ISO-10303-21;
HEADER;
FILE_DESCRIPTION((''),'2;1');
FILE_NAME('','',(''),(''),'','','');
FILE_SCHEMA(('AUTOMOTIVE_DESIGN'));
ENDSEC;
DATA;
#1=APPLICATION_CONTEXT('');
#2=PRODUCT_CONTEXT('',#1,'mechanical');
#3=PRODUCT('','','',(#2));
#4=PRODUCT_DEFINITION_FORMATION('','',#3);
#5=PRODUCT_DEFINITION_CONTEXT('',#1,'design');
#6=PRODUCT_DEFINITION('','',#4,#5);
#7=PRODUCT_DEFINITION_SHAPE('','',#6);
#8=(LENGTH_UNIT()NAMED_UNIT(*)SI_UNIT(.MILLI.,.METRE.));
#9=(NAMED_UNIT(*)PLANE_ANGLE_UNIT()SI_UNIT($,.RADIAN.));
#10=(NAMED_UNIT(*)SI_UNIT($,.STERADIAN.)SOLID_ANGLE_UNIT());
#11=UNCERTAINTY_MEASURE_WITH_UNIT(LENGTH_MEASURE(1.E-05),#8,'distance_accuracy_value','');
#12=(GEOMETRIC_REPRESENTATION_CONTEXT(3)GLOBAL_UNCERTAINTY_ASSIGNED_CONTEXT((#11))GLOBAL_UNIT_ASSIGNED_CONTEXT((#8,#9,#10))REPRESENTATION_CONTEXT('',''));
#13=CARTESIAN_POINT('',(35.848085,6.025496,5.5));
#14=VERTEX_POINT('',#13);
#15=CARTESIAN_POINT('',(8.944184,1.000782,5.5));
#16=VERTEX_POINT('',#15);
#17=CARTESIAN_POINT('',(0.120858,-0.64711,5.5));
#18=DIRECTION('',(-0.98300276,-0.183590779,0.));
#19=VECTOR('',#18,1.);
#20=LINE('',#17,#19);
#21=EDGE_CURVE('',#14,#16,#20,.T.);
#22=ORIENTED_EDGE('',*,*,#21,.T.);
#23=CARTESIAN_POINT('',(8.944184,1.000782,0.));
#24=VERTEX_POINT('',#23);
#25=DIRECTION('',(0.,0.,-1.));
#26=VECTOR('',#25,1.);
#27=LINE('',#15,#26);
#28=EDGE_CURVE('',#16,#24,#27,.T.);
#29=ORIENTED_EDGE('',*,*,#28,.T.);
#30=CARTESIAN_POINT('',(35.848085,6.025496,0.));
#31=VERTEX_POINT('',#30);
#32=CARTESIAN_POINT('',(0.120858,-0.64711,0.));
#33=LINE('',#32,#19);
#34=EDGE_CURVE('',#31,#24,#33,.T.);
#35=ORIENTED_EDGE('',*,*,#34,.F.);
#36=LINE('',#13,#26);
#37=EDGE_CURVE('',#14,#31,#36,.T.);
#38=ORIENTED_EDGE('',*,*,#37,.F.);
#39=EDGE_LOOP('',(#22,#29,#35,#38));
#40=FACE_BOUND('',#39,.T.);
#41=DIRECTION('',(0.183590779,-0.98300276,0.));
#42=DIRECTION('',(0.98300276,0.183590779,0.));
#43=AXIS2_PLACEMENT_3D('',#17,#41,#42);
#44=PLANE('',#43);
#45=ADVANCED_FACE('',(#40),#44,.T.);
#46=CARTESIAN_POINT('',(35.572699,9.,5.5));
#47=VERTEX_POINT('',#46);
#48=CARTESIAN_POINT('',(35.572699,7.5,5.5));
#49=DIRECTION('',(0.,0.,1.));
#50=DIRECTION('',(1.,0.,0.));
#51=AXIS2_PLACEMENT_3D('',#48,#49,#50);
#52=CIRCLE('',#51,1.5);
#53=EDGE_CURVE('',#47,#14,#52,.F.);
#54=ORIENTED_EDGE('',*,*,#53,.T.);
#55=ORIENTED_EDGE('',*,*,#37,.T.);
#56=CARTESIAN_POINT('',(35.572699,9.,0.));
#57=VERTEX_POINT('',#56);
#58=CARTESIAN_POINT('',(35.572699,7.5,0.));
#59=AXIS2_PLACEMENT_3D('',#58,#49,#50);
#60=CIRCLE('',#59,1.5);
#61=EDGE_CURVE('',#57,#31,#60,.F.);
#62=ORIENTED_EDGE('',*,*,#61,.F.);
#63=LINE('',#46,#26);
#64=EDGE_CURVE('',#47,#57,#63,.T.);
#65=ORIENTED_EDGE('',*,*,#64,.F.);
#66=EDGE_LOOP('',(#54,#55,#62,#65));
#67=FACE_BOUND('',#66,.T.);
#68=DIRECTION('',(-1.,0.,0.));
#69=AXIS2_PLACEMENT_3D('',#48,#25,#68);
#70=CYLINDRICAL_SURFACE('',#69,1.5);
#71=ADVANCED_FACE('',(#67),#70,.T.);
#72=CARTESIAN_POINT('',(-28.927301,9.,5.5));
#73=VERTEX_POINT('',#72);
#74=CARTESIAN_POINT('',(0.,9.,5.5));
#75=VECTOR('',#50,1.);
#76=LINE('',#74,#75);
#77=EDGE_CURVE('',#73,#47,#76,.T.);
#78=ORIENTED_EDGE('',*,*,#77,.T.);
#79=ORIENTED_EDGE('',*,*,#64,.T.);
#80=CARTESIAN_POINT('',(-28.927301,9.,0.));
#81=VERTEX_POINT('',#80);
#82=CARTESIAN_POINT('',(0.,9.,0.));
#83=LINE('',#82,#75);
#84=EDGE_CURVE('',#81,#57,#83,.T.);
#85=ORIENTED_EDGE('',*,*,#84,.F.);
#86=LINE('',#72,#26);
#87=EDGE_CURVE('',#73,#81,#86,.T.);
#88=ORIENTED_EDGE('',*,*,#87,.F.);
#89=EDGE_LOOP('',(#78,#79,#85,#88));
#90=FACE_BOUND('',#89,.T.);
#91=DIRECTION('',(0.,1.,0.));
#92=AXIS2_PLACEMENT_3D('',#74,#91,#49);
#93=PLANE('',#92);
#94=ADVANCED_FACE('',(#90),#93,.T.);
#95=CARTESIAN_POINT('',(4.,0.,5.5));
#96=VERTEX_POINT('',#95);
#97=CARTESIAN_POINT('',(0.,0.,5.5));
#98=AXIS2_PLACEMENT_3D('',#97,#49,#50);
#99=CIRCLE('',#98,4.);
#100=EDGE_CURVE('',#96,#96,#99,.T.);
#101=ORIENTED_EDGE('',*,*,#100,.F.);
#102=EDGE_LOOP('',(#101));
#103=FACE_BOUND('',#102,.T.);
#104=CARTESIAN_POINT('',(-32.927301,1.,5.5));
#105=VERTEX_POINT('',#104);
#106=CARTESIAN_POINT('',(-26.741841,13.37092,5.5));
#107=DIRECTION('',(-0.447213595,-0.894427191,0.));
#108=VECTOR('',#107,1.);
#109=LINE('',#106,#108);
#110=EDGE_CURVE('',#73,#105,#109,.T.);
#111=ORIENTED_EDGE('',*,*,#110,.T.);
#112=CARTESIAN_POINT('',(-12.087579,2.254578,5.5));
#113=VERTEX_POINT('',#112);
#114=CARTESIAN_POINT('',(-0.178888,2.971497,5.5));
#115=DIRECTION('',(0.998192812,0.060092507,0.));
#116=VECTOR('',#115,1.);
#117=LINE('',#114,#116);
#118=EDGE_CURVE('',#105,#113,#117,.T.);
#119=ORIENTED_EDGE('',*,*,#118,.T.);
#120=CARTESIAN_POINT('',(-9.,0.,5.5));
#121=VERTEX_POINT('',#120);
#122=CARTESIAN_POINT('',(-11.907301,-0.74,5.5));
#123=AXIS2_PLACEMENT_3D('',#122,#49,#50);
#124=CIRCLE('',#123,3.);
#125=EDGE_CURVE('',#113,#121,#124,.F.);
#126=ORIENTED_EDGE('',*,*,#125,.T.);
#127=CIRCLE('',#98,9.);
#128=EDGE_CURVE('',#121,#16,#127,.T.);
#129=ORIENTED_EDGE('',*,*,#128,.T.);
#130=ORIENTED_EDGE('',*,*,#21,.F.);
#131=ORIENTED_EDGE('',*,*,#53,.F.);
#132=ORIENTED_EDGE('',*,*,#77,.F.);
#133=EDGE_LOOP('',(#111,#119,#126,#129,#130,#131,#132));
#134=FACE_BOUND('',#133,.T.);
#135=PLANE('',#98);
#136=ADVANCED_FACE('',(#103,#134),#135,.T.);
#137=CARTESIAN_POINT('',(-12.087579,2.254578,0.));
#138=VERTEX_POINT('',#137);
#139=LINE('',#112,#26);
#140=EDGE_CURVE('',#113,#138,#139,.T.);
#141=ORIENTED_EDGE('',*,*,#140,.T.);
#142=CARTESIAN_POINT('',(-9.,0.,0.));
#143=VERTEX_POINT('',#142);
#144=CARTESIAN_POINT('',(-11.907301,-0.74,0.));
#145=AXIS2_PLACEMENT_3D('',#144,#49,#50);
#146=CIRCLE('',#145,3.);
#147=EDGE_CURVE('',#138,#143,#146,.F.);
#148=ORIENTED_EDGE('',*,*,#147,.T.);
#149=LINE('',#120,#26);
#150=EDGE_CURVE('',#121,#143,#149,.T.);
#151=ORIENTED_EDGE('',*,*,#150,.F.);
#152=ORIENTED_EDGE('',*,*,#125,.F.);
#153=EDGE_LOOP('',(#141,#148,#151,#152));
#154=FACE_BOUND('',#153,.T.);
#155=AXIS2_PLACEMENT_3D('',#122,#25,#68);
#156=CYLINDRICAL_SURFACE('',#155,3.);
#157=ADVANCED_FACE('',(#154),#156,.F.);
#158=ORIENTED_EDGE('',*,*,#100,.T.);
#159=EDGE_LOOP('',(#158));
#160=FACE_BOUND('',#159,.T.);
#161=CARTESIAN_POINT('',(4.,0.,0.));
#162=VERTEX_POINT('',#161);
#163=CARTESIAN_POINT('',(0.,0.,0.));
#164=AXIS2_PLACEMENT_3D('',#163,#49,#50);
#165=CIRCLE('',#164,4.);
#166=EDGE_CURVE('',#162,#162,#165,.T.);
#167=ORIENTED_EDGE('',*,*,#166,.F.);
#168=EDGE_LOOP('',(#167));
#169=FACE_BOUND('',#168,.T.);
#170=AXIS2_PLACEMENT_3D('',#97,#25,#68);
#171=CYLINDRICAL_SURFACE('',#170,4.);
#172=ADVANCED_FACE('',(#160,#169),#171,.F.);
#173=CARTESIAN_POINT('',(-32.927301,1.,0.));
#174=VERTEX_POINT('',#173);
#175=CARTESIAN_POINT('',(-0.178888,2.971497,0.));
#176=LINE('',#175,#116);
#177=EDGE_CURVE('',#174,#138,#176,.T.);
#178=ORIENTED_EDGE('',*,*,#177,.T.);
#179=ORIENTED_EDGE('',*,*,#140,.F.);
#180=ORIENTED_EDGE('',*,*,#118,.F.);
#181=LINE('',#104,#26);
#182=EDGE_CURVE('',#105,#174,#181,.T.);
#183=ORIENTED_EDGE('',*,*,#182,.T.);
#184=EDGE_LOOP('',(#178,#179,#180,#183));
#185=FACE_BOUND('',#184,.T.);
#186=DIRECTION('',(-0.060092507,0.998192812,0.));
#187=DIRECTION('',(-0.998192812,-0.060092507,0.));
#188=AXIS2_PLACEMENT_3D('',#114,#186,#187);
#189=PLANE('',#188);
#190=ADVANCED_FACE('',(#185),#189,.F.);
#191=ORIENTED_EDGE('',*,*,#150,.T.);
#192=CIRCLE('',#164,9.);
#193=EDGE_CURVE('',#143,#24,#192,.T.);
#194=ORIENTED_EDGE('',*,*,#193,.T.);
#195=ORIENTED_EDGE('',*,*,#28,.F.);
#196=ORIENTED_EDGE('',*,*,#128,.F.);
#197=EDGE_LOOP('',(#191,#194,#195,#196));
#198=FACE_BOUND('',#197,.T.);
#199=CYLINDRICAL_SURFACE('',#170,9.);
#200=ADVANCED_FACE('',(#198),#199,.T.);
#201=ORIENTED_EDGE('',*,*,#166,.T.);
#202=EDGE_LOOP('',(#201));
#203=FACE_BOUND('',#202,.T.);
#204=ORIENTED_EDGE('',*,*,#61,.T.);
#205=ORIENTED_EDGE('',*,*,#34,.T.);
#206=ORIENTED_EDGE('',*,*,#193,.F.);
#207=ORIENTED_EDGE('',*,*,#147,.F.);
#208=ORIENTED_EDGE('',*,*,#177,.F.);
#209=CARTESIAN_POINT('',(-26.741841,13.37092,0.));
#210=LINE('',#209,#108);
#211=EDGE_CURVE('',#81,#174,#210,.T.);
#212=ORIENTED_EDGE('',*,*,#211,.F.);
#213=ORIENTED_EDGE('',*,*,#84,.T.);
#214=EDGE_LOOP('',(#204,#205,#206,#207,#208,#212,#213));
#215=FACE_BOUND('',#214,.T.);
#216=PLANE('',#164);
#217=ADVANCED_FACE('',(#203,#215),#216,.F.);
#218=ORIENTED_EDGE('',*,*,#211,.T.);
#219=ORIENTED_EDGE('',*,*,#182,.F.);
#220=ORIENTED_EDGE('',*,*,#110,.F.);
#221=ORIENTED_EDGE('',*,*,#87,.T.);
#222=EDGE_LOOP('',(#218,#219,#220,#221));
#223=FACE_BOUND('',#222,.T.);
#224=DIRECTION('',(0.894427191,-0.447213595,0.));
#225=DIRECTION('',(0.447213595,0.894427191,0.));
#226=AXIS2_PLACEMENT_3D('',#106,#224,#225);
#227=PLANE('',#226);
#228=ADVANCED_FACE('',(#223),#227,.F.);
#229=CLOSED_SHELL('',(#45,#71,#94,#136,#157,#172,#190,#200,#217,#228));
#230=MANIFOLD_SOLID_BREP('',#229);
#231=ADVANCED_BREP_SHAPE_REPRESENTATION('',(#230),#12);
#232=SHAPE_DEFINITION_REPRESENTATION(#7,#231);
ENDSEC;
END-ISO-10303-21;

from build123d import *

# Parameters (mm, degrees)
SKETCH3_R           = 4
BOSS_EXTRUDE1_DEPTH = 5.5


with BuildPart() as part:
    # Sketch3 → Boss-Extrude1 (new body)
    with BuildSketch(Plane.XY):
        with BuildLine():
            Line((35.572698846, 9), (-28.927301154, 9))
            Line((-28.927301154, 9), (-32.927301154, 1))
            Line((-32.927301154, 1), (-12.087578676, 2.254578437))
            ThreePointArc((-12.087578676, 2.254578437), (-10.138135968, 1.682819545), (-9, 0))
            ThreePointArc((-9, 0), (0.50116839, -8.986035291), (8.944184499, 1.000781519))
            Line((8.944184499, 1.000781519), (35.848085015, 6.02549586))
            ThreePointArc((35.848085015, 6.02549586), (37.066311281, 7.638281941), (35.572698846, 9))
        make_face()
        Circle(SKETCH3_R, mode=Mode.SUBTRACT)
    extrude(amount=BOSS_EXTRUDE1_DEPTH)


solid = part.part
